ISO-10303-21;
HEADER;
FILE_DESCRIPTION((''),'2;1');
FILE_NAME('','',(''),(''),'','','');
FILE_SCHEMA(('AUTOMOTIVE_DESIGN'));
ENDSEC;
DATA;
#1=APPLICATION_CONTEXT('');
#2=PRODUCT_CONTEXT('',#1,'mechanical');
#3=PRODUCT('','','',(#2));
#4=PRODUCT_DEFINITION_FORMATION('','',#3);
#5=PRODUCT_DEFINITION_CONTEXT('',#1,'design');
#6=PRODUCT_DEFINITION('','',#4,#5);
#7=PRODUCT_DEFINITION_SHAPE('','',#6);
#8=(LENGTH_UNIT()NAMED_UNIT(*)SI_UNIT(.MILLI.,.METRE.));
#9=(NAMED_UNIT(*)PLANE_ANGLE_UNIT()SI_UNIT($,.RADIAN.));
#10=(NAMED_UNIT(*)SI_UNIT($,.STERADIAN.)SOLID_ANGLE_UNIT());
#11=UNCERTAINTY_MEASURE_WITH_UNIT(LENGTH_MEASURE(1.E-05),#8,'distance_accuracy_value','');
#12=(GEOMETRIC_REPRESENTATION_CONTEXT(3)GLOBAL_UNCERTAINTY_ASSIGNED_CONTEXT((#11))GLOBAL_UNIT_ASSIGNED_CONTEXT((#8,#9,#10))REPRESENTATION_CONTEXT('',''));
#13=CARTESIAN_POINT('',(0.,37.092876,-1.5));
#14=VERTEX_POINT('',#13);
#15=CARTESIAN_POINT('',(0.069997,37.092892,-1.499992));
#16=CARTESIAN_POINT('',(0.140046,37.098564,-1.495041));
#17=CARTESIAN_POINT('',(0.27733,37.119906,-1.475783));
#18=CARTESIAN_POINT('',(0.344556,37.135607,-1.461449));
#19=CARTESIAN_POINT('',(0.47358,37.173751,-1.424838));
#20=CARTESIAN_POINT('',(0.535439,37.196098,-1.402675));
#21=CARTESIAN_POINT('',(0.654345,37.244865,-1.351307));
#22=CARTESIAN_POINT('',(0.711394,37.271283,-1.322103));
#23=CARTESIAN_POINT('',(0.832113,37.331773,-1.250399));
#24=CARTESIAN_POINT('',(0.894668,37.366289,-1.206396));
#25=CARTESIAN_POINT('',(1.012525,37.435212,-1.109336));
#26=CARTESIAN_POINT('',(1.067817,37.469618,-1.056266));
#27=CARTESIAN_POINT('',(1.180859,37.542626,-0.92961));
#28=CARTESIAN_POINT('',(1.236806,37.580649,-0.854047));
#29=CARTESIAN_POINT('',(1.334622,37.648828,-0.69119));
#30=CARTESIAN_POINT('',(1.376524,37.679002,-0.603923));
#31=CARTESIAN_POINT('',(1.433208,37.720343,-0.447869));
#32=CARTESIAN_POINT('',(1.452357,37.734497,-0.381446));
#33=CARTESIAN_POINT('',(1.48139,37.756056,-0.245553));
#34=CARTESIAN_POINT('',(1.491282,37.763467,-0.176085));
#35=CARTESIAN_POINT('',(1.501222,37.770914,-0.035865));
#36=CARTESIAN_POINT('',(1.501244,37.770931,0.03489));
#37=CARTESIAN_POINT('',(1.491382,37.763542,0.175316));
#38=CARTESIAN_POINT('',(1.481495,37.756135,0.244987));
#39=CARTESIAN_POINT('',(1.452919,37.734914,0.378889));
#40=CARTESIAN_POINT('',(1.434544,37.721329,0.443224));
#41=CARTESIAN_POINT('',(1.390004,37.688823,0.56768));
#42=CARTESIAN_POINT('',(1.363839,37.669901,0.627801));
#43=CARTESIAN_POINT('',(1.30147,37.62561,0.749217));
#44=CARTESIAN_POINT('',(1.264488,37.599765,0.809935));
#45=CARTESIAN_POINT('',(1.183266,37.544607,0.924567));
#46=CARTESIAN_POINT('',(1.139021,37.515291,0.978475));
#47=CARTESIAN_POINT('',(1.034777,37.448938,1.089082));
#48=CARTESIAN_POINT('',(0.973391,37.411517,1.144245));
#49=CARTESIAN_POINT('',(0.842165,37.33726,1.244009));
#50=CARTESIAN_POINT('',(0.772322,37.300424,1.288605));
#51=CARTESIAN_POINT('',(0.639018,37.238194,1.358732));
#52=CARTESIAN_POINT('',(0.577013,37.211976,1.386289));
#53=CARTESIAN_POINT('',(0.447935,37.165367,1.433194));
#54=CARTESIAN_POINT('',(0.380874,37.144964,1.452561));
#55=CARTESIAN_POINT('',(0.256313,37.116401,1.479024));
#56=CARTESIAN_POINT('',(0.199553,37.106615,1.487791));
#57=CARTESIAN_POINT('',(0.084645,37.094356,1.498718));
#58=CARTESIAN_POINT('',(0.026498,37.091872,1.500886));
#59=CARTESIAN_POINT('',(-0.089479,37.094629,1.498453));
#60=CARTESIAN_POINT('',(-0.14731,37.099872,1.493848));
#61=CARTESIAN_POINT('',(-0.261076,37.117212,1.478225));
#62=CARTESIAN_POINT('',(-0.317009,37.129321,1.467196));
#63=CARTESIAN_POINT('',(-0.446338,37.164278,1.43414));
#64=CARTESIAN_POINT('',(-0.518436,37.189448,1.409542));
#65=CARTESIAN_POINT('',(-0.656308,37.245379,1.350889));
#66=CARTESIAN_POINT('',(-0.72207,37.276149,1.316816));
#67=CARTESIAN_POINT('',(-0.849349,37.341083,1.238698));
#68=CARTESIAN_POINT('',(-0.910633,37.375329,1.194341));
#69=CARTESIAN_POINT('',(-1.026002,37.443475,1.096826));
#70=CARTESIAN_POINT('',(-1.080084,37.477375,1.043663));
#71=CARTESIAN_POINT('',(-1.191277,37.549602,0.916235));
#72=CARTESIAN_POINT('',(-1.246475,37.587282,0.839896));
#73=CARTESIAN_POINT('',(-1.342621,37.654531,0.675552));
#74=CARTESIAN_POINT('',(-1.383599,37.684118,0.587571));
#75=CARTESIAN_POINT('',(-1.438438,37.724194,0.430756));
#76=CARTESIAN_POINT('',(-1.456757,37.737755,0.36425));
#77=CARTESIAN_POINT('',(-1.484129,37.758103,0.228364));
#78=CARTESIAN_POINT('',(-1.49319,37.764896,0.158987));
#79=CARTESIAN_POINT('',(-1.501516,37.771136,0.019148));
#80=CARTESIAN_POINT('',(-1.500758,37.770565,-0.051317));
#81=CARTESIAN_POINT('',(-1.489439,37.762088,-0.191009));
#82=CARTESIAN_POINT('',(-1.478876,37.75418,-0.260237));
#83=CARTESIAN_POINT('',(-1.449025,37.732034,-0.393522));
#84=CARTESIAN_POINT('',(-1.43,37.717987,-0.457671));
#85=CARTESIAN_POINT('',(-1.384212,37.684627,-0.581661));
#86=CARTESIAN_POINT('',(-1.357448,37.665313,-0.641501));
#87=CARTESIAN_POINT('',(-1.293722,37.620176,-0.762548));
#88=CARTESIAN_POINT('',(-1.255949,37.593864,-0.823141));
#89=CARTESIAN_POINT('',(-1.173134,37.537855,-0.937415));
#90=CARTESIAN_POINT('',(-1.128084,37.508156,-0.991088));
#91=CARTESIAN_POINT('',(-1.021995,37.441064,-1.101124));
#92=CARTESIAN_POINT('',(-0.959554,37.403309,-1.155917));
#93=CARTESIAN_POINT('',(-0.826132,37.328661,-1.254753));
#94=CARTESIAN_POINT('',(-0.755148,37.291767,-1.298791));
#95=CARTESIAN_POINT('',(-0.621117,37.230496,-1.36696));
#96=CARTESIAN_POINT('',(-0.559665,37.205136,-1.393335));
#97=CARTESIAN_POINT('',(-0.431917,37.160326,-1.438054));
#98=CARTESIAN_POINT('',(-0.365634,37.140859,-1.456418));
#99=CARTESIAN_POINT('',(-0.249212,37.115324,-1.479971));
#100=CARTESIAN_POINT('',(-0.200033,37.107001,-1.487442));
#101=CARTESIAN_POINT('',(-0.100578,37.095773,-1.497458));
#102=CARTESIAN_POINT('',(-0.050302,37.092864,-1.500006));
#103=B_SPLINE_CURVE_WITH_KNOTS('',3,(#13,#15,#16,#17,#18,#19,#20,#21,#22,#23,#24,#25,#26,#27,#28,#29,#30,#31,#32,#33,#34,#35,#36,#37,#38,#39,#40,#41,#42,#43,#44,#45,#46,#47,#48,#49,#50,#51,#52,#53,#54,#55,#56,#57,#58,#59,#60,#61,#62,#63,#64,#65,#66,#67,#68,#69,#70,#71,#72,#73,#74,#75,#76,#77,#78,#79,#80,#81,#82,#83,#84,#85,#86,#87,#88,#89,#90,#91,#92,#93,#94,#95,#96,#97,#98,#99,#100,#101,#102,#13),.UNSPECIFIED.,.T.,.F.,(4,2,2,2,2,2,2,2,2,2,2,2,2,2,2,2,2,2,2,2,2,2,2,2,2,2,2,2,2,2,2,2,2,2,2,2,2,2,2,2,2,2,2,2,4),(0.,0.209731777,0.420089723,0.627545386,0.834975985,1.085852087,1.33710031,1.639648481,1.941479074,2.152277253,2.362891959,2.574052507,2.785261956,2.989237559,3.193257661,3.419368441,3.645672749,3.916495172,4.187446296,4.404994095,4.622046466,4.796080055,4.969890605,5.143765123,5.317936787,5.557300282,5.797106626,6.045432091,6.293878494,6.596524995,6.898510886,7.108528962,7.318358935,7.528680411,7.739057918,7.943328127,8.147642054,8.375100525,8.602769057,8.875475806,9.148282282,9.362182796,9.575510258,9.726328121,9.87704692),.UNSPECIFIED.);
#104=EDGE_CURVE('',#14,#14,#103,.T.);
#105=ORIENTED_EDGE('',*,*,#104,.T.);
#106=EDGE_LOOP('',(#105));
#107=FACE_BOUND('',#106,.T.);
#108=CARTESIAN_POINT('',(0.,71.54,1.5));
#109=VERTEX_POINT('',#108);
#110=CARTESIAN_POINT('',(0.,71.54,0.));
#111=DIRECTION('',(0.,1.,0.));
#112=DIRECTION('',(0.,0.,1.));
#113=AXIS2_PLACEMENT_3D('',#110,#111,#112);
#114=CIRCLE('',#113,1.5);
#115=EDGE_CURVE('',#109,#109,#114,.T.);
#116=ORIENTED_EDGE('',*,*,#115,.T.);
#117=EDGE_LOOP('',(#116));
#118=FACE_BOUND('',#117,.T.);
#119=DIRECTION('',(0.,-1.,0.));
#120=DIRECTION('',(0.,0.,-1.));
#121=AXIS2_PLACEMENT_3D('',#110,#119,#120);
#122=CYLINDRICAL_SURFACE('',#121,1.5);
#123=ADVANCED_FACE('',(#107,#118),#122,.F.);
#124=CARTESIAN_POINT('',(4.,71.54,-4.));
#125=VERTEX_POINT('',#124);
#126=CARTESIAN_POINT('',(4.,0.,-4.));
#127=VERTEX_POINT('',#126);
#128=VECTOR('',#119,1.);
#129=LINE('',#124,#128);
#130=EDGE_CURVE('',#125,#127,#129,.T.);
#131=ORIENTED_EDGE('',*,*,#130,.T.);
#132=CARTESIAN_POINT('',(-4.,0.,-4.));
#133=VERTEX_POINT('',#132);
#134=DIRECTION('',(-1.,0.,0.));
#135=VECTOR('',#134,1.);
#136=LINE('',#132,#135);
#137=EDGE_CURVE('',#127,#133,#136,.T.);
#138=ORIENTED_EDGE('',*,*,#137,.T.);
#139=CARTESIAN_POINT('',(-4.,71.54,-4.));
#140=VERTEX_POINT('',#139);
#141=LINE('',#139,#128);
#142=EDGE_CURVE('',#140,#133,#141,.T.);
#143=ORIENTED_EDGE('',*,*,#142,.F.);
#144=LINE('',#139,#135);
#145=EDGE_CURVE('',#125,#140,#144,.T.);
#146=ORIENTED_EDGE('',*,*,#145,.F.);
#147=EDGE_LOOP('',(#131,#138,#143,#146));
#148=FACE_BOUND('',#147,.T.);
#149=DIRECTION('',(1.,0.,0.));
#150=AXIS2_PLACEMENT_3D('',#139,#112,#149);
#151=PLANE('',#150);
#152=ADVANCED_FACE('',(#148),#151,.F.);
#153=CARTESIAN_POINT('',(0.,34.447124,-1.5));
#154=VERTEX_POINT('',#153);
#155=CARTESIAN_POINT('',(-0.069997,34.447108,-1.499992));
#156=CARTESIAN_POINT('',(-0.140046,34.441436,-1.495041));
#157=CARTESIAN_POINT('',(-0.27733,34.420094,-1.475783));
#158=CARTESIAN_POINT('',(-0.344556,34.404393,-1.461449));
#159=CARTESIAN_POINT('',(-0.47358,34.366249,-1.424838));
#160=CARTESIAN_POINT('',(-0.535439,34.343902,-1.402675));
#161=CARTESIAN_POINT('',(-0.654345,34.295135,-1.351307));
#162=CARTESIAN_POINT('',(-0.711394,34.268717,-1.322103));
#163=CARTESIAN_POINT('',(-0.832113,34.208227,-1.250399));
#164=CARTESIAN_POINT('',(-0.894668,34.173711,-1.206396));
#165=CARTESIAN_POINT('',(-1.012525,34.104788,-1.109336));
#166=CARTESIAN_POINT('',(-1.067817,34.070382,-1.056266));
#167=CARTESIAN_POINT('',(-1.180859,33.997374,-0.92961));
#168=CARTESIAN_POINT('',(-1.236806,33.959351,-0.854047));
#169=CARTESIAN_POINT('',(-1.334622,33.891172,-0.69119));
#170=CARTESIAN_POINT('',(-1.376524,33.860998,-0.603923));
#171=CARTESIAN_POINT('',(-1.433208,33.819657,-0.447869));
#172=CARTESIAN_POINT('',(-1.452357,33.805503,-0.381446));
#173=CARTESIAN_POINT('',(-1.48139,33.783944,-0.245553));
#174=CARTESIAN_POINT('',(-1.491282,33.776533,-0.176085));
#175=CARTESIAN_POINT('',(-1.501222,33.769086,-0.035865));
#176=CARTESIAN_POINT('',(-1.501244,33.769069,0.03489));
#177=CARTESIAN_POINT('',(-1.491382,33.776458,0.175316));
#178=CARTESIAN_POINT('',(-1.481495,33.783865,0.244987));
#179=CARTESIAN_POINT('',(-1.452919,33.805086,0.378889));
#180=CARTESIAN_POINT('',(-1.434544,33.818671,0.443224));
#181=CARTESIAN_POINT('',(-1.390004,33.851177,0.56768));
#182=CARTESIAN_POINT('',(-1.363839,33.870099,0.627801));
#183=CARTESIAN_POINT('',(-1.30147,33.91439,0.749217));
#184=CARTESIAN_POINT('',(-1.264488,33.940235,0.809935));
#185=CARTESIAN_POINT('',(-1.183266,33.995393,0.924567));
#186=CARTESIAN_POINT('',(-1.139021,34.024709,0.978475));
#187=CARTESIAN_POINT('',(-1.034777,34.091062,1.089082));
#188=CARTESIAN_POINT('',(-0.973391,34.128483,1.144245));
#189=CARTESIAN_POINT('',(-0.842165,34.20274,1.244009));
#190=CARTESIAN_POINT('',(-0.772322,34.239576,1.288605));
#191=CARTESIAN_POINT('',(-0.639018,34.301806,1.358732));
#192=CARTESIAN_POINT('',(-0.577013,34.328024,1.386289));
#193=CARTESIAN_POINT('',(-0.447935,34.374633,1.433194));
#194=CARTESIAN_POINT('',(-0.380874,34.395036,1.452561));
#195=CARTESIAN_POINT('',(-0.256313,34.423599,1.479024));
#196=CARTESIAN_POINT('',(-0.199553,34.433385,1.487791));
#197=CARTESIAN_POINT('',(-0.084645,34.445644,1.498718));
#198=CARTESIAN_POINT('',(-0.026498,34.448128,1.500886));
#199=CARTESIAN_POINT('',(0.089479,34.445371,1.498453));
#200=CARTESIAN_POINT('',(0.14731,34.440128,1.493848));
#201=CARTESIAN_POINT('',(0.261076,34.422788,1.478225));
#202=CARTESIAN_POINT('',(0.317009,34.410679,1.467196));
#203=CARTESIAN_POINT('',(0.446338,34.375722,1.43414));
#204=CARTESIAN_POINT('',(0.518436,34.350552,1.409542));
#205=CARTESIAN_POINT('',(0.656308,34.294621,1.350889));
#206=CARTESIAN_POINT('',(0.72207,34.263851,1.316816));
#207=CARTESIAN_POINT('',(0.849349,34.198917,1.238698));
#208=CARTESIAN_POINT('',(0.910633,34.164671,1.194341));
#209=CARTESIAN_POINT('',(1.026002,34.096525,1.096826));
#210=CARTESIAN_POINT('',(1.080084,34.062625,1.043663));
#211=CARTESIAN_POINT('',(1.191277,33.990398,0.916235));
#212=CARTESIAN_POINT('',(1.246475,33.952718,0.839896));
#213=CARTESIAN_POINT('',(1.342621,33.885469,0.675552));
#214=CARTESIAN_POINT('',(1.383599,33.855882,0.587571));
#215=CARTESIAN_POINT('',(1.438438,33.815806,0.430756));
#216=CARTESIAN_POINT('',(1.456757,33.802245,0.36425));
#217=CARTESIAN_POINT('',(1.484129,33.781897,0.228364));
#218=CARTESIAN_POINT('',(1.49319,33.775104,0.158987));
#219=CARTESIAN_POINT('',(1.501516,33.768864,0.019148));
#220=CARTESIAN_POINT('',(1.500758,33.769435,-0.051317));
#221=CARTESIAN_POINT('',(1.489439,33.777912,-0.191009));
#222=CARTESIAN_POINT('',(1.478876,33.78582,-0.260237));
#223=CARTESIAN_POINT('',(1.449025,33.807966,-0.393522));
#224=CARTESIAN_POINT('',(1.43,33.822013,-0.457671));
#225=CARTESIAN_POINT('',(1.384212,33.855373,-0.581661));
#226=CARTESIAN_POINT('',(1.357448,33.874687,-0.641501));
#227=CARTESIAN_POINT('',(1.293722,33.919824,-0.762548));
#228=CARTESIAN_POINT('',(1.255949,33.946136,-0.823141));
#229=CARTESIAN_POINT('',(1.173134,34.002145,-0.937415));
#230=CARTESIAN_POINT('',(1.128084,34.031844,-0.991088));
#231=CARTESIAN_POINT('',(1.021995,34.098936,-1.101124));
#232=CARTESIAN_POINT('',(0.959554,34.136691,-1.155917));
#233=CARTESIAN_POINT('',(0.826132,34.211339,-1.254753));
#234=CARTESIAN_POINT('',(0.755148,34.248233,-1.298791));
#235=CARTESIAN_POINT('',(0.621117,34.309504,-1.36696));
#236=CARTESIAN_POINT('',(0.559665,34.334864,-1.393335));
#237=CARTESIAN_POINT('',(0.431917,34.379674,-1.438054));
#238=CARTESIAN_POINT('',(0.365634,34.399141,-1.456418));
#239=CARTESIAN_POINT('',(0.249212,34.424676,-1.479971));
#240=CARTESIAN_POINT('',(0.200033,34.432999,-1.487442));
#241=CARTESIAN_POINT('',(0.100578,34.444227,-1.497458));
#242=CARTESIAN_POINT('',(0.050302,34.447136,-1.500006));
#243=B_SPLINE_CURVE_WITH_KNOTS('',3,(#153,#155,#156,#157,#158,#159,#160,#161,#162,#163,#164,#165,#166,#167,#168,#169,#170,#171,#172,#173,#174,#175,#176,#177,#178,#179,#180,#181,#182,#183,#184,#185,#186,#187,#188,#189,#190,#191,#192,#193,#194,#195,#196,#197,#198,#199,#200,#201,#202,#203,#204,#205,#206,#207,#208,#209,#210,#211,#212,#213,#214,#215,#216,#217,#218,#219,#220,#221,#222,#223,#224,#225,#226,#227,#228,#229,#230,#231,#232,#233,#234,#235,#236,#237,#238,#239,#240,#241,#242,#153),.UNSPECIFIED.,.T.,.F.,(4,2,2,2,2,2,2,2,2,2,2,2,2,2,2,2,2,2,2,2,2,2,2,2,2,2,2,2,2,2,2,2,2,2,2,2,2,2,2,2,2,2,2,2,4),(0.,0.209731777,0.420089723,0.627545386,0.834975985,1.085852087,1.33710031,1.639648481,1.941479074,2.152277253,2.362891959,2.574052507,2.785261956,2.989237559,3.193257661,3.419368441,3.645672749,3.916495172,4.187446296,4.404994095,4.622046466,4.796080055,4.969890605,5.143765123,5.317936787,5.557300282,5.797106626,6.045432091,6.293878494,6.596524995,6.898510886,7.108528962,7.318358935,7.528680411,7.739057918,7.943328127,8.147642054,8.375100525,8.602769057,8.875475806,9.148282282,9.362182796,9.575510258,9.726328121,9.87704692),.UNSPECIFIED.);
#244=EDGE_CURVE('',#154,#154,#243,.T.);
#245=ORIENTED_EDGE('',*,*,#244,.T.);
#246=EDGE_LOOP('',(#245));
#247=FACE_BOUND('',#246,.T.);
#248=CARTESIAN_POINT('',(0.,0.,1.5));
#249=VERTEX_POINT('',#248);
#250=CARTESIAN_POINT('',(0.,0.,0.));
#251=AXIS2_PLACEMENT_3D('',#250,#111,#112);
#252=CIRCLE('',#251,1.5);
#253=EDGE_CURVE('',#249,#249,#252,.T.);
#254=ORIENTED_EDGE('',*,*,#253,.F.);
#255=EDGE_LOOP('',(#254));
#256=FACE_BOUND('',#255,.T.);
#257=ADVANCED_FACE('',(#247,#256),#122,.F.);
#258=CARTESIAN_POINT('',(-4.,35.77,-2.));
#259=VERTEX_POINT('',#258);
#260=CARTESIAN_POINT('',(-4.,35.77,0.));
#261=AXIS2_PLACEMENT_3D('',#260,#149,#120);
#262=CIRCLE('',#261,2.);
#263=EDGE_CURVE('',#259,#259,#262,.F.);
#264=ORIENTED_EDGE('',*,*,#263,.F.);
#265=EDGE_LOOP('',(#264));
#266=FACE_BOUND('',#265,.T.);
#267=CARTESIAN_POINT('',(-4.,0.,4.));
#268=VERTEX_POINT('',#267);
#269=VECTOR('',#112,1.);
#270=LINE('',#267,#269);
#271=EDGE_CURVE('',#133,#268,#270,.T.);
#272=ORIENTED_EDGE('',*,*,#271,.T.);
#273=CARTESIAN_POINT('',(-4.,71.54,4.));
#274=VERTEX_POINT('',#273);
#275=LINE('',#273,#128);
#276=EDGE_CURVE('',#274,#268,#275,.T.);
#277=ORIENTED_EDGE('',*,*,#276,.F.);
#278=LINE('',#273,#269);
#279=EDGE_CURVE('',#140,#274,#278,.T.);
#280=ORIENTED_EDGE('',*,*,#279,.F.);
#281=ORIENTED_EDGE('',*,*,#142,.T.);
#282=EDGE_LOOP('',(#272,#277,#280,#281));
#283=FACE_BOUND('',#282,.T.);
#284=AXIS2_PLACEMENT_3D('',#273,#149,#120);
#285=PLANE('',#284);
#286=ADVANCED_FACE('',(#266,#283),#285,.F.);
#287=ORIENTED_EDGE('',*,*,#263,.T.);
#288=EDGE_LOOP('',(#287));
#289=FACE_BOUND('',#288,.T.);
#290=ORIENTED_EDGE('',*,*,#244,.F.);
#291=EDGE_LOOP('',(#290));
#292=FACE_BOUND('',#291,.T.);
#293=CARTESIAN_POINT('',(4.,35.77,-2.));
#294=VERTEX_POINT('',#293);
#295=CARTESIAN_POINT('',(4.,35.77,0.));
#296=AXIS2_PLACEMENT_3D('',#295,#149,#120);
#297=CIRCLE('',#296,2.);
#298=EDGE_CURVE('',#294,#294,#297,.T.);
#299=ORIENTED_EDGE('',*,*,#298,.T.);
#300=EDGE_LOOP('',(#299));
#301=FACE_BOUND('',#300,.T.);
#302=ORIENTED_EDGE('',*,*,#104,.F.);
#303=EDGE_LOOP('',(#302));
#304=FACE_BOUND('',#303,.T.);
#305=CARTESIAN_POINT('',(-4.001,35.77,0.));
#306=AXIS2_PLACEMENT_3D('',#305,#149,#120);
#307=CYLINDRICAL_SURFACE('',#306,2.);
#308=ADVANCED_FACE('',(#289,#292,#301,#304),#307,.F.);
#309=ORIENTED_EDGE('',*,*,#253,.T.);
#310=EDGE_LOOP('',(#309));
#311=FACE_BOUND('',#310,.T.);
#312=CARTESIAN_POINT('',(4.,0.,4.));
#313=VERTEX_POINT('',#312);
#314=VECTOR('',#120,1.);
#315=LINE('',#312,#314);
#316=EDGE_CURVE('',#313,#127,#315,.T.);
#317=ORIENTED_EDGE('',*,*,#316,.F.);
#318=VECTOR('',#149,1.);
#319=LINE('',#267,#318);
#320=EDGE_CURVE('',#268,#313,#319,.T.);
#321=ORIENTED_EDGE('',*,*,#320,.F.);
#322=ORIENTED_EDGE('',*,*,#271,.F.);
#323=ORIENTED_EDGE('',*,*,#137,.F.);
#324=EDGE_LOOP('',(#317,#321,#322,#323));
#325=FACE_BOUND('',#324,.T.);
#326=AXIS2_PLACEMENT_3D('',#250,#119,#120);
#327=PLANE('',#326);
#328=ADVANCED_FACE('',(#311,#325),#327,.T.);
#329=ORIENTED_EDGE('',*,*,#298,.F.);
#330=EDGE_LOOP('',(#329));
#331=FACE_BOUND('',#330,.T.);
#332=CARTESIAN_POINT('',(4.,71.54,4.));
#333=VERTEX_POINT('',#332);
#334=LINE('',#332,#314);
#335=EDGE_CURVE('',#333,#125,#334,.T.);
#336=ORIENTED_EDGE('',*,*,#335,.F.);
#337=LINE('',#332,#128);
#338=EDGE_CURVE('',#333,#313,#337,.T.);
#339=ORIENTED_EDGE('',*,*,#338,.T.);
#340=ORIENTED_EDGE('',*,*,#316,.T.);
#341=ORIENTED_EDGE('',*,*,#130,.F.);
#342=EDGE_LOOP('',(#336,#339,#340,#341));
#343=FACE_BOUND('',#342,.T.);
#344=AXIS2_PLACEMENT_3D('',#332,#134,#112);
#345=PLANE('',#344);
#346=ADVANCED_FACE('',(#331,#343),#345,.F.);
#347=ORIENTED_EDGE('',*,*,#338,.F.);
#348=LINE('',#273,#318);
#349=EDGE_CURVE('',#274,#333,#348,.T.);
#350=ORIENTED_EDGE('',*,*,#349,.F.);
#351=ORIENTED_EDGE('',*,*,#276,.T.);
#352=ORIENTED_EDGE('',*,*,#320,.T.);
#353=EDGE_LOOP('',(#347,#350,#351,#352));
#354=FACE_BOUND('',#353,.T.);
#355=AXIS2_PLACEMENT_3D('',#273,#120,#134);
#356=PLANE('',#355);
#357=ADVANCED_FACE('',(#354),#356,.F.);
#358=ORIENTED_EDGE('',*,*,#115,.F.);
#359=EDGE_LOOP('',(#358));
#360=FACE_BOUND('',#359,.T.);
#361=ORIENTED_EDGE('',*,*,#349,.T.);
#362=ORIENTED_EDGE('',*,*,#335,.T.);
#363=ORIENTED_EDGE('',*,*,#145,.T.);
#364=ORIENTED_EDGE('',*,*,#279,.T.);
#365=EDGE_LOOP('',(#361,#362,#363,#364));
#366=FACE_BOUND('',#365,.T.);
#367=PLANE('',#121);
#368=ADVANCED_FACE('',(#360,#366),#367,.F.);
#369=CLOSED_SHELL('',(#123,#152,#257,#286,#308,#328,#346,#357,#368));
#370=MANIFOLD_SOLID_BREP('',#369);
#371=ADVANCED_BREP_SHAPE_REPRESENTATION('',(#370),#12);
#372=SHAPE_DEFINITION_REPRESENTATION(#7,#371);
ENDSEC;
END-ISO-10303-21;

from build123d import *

# Parameters (mm, degrees)
SKETCH1_W           = 8
SKETCH1_H           = 8
SKETCH1_R           = 1.5
BOSS_EXTRUDE1_DEPTH = 71.54
CUT_EXTRUDE1_REACH  = 74.097
SKETCH2_R           = 2


with BuildPart() as part:
    # Sketch1 → Boss-Extrude1 (new body)
    with BuildSketch(Plane(origin=(0, 0, 0), x_dir=(1, 0, 0), z_dir=(0, 1, 0))):
        Rectangle(SKETCH1_W, SKETCH1_H)
        with Locations(Location((0, 0, 0), (0, 0, 270))):
            Circle(SKETCH1_R, mode=Mode.SUBTRACT)
    extrude(amount=BOSS_EXTRUDE1_DEPTH)

    # Sketch2 → Cut-Extrude1 (cut, up to next)
    with BuildSketch(Plane(origin=(4, 0, 0), x_dir=(0, 0, -1), z_dir=(1, 0, 0)), mode=Mode.PRIVATE) as cut_extrude1_sk1:
        with Locations((0, 35.77)):
            Circle(SKETCH2_R)
    cut_extrude1_tool1 = extrude(cut_extrude1_sk1.sketch, amount=-CUT_EXTRUDE1_REACH, mode=Mode.PRIVATE) & part.part
    add(cut_extrude1_tool1.solids().sort_by_distance((4, 35.77, 0))[0], mode=Mode.SUBTRACT)


solid = part.part
